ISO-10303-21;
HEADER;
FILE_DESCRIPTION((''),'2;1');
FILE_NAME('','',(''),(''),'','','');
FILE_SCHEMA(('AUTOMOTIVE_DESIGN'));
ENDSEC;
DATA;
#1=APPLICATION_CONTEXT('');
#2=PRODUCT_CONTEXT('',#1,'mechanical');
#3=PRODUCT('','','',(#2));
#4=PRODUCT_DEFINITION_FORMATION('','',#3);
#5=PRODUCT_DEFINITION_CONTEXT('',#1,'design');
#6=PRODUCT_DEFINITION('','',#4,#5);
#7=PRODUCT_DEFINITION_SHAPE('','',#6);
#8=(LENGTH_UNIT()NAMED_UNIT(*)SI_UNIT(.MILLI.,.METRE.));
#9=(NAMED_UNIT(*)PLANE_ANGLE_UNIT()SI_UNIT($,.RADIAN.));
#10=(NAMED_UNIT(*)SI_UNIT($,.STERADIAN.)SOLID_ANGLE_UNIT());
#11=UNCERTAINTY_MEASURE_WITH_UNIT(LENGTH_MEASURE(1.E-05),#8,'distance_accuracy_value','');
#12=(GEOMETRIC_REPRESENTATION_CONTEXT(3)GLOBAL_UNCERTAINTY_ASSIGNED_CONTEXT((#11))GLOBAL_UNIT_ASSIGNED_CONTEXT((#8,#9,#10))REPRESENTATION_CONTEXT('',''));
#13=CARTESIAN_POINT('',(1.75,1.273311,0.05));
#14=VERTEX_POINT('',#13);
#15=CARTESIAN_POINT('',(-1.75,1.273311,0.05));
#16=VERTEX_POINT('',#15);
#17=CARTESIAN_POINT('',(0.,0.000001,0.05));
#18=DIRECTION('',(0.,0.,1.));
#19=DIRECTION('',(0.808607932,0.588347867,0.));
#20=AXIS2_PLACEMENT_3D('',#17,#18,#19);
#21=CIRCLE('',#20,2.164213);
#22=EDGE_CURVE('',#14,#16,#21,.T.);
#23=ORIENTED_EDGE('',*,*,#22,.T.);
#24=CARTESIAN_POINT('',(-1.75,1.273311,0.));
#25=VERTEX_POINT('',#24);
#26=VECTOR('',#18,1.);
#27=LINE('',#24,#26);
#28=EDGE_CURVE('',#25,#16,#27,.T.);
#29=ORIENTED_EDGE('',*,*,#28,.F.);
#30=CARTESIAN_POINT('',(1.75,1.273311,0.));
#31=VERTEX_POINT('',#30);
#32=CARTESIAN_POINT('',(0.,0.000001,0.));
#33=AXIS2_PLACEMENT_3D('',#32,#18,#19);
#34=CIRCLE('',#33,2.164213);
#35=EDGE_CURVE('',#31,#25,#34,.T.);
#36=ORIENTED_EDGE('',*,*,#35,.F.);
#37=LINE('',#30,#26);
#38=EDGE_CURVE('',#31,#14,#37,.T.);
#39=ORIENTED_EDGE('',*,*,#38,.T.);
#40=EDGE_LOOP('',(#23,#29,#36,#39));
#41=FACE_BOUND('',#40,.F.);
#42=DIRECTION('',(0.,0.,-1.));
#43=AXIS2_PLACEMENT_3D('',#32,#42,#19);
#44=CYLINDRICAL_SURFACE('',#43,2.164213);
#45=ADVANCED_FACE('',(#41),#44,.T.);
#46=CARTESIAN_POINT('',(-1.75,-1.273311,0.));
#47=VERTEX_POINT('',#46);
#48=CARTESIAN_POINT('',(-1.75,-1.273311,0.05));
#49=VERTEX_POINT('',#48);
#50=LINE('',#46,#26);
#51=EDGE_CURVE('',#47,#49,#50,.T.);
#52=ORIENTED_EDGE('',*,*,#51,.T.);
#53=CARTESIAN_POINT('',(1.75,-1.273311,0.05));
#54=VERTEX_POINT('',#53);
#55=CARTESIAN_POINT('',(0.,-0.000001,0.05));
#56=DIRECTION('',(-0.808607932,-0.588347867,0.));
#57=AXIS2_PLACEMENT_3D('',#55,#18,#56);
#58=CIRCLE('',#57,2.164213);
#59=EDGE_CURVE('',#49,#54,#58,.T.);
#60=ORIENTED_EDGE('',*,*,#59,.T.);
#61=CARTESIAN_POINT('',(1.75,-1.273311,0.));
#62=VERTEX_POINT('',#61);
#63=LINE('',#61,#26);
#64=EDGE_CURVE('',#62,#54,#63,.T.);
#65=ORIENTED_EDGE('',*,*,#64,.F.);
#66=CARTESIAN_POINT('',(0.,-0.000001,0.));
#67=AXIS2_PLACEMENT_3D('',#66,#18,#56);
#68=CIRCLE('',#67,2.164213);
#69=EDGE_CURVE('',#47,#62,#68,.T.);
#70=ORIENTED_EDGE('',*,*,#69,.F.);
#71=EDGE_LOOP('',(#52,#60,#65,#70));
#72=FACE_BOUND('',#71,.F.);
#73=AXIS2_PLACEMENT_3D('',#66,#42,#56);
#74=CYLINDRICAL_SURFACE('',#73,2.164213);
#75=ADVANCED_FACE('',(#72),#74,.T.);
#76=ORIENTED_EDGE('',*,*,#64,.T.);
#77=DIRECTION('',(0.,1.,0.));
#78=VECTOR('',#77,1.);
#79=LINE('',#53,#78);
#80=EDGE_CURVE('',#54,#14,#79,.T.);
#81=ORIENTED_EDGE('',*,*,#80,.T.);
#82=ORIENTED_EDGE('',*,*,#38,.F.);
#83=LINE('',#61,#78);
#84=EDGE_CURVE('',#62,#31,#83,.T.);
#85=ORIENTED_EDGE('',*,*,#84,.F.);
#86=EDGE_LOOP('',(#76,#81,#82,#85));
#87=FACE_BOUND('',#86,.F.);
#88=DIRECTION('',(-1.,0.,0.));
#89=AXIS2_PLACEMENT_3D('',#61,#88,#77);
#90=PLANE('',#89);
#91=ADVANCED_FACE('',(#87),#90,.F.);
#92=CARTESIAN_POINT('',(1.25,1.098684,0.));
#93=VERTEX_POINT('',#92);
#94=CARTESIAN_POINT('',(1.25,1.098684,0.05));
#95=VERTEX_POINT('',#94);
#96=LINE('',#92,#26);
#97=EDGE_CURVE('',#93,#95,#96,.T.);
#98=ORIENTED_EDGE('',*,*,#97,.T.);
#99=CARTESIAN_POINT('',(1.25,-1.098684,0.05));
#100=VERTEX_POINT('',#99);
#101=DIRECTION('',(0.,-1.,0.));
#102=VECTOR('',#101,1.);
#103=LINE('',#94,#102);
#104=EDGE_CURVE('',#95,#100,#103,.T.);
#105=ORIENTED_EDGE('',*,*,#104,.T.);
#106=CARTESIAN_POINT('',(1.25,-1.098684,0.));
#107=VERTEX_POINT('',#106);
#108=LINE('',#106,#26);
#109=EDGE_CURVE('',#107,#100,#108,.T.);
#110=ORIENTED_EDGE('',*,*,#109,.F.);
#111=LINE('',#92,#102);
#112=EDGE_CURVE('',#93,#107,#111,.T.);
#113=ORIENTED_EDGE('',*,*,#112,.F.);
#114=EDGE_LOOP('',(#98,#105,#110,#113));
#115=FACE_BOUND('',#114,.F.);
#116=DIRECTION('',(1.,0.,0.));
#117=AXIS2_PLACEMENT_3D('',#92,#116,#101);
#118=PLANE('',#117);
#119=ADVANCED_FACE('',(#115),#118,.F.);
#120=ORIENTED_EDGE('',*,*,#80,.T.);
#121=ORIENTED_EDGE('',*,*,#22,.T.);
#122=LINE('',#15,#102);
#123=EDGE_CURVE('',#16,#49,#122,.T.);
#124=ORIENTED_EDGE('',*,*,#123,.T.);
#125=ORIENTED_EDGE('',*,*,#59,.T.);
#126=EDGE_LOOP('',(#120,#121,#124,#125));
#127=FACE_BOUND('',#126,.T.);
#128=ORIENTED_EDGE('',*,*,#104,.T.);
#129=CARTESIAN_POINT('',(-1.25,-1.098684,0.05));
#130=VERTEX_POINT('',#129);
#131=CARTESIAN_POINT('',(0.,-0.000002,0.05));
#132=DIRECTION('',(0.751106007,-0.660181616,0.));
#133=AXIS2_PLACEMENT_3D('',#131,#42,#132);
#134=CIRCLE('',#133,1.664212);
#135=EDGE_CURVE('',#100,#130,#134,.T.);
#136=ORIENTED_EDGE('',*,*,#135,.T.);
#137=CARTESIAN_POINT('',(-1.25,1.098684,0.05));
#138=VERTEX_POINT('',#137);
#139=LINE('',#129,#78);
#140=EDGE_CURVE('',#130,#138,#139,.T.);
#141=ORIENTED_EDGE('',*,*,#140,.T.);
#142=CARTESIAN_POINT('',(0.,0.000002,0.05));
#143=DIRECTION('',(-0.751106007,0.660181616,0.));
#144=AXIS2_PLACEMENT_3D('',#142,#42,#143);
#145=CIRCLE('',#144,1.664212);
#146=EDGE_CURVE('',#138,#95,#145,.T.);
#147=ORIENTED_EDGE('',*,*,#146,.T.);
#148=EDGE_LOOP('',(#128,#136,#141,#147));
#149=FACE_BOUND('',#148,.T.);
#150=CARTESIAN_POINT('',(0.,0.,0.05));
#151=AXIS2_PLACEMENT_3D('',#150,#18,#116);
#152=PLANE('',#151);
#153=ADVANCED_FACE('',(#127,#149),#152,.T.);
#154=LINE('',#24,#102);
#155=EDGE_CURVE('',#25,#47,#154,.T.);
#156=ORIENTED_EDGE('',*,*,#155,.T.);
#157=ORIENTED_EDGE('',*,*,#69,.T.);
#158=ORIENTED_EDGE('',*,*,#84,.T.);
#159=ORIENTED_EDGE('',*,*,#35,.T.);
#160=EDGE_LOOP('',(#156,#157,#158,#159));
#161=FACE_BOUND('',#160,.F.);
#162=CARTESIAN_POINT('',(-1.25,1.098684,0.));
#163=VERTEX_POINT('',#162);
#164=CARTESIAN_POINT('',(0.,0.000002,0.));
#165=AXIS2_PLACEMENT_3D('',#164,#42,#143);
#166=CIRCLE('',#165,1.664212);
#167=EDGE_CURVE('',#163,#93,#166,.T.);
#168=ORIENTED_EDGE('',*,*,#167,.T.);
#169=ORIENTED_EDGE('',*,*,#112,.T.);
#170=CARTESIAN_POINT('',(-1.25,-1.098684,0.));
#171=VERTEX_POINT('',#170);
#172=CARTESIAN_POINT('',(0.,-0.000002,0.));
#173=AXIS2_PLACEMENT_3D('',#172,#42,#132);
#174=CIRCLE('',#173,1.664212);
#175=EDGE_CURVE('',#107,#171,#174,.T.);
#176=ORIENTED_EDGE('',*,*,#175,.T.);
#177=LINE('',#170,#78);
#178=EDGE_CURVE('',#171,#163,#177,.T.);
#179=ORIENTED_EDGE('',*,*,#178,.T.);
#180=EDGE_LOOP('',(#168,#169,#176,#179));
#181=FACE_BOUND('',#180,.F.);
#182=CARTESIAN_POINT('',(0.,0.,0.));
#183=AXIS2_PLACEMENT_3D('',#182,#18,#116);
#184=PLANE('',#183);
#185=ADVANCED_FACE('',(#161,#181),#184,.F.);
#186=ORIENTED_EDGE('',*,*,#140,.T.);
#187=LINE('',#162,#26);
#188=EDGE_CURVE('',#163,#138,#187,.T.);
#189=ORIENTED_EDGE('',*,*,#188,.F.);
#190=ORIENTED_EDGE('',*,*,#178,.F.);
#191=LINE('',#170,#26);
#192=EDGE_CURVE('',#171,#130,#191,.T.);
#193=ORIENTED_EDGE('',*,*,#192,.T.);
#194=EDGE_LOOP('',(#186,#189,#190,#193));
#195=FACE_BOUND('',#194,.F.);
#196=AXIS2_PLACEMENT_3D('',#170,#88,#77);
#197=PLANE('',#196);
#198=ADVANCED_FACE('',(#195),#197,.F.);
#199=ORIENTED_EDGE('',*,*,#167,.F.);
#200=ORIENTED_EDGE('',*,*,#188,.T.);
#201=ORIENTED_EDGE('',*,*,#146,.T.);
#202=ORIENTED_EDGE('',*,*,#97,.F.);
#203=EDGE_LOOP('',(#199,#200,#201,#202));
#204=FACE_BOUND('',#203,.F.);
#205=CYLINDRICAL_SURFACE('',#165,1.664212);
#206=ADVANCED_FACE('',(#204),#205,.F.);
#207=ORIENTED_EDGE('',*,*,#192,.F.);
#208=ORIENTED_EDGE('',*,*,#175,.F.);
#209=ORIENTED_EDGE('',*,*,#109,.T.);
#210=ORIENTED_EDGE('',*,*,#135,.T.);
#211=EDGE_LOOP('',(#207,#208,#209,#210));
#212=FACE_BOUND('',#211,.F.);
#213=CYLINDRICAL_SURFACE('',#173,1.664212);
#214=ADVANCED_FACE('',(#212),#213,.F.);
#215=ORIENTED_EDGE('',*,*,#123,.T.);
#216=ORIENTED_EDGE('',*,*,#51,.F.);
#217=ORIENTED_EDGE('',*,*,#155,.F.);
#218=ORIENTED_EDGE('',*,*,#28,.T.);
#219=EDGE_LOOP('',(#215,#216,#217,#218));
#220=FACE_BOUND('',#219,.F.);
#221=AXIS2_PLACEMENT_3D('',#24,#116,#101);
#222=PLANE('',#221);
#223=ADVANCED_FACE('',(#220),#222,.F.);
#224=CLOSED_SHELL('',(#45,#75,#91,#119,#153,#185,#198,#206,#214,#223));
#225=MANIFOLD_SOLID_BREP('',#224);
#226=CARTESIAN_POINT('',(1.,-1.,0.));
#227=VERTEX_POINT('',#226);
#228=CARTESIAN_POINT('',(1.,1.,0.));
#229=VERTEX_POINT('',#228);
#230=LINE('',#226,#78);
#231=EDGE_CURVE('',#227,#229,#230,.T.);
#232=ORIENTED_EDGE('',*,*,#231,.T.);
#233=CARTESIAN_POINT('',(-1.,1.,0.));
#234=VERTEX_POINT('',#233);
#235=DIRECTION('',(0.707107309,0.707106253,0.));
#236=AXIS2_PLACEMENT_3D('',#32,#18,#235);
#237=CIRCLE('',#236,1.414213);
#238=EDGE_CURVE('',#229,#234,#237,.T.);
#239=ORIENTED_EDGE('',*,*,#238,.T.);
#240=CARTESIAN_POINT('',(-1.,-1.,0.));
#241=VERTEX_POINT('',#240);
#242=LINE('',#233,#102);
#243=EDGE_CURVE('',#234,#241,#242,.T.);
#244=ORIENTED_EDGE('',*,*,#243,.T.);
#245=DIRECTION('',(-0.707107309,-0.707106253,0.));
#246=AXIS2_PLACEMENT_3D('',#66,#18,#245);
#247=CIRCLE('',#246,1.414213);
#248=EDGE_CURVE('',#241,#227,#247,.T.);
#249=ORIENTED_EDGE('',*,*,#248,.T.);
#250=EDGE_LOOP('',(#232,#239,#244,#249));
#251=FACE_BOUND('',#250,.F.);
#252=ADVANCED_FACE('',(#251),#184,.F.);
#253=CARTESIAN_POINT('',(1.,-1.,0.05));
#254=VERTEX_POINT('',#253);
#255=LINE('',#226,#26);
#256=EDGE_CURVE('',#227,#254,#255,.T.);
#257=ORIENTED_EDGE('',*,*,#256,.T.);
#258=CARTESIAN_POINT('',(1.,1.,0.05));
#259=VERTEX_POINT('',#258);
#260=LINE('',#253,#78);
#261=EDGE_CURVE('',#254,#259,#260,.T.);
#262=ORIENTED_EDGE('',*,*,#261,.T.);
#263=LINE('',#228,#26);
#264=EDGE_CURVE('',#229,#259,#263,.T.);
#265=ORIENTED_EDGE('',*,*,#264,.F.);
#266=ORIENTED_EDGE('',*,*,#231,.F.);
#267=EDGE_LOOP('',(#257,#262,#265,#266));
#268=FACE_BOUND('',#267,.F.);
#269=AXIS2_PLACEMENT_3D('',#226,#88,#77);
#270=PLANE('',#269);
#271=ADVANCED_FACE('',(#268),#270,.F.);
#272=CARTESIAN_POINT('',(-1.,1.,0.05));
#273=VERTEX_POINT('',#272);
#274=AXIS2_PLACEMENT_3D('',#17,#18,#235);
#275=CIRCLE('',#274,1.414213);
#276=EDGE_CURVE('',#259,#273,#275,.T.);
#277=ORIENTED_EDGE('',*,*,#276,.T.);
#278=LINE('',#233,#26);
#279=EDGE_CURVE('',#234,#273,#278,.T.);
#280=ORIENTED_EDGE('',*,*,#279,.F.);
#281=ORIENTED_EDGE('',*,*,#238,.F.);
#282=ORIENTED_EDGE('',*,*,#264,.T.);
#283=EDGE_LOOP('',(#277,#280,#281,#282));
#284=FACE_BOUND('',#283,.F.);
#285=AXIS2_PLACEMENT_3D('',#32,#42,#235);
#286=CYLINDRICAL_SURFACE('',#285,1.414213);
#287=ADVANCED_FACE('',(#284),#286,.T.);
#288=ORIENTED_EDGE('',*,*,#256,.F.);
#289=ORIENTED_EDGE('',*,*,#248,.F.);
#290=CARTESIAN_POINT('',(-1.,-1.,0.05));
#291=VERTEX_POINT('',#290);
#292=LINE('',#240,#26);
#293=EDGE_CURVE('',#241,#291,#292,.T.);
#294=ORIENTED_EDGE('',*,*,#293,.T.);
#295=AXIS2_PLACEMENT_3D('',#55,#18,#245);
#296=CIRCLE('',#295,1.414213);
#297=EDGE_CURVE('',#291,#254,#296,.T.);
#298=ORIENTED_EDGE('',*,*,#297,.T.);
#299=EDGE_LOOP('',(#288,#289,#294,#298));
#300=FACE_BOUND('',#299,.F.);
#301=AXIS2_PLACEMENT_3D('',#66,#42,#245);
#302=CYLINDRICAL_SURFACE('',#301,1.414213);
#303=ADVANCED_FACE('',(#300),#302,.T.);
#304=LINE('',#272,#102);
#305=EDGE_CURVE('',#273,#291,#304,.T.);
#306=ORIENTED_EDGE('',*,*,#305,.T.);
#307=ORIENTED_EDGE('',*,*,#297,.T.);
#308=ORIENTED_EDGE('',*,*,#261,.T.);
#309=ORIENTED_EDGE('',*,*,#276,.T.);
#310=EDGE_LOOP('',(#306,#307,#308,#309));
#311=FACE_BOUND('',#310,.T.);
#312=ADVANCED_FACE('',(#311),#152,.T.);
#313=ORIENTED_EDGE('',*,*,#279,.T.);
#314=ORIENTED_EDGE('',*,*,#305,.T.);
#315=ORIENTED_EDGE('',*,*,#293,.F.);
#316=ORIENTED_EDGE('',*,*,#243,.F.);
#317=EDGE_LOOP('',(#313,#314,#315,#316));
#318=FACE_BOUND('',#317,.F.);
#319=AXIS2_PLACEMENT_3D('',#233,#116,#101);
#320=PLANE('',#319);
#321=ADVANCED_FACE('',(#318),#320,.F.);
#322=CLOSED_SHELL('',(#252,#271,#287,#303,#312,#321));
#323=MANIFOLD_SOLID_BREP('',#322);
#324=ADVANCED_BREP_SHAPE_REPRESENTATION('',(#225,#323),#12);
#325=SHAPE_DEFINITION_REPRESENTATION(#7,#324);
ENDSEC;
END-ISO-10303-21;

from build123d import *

# Parameters (mm, degrees)
F1_DEPTH = 0.05


with BuildPart() as f1:
    # F0 (on Top) → F1 (new body)
    with BuildSketch(Plane.XY):
        with BuildLine():
            Line((1.75, -1.273311), (1.75, 1.273311))
            ThreePointArc((1.75, 1.273311), (0, 2.164214), (-1.75, 1.273311))
            Line((-1.75, 1.273311), (-1.75, -1.273311))
            ThreePointArc((-1.75, -1.273311), (0, -2.164214), (1.75, -1.273311))
        make_face()
        with BuildLine():
            Line((-1.25, -1.098684), (-1.25, 1.098684))
            ThreePointArc((-1.25, 1.098684), (0, 1.664214), (1.25, 1.098684))
            Line((1.25, 1.098684), (1.25, -1.098684))
            ThreePointArc((1.25, -1.098684), (0, -1.664214), (-1.25, -1.098684))
        make_face(mode=Mode.SUBTRACT)
        with BuildLine():
            ThreePointArc((1, 1), (0, 1.414214), (-1, 1))
            Line((-1, 1), (-1, -1))
            ThreePointArc((-1, -1), (0, -1.414214), (1, -1))
            Line((1, -1), (1, 1))
        make_face()
    extrude(amount=F1_DEPTH)


solid = f1.part
